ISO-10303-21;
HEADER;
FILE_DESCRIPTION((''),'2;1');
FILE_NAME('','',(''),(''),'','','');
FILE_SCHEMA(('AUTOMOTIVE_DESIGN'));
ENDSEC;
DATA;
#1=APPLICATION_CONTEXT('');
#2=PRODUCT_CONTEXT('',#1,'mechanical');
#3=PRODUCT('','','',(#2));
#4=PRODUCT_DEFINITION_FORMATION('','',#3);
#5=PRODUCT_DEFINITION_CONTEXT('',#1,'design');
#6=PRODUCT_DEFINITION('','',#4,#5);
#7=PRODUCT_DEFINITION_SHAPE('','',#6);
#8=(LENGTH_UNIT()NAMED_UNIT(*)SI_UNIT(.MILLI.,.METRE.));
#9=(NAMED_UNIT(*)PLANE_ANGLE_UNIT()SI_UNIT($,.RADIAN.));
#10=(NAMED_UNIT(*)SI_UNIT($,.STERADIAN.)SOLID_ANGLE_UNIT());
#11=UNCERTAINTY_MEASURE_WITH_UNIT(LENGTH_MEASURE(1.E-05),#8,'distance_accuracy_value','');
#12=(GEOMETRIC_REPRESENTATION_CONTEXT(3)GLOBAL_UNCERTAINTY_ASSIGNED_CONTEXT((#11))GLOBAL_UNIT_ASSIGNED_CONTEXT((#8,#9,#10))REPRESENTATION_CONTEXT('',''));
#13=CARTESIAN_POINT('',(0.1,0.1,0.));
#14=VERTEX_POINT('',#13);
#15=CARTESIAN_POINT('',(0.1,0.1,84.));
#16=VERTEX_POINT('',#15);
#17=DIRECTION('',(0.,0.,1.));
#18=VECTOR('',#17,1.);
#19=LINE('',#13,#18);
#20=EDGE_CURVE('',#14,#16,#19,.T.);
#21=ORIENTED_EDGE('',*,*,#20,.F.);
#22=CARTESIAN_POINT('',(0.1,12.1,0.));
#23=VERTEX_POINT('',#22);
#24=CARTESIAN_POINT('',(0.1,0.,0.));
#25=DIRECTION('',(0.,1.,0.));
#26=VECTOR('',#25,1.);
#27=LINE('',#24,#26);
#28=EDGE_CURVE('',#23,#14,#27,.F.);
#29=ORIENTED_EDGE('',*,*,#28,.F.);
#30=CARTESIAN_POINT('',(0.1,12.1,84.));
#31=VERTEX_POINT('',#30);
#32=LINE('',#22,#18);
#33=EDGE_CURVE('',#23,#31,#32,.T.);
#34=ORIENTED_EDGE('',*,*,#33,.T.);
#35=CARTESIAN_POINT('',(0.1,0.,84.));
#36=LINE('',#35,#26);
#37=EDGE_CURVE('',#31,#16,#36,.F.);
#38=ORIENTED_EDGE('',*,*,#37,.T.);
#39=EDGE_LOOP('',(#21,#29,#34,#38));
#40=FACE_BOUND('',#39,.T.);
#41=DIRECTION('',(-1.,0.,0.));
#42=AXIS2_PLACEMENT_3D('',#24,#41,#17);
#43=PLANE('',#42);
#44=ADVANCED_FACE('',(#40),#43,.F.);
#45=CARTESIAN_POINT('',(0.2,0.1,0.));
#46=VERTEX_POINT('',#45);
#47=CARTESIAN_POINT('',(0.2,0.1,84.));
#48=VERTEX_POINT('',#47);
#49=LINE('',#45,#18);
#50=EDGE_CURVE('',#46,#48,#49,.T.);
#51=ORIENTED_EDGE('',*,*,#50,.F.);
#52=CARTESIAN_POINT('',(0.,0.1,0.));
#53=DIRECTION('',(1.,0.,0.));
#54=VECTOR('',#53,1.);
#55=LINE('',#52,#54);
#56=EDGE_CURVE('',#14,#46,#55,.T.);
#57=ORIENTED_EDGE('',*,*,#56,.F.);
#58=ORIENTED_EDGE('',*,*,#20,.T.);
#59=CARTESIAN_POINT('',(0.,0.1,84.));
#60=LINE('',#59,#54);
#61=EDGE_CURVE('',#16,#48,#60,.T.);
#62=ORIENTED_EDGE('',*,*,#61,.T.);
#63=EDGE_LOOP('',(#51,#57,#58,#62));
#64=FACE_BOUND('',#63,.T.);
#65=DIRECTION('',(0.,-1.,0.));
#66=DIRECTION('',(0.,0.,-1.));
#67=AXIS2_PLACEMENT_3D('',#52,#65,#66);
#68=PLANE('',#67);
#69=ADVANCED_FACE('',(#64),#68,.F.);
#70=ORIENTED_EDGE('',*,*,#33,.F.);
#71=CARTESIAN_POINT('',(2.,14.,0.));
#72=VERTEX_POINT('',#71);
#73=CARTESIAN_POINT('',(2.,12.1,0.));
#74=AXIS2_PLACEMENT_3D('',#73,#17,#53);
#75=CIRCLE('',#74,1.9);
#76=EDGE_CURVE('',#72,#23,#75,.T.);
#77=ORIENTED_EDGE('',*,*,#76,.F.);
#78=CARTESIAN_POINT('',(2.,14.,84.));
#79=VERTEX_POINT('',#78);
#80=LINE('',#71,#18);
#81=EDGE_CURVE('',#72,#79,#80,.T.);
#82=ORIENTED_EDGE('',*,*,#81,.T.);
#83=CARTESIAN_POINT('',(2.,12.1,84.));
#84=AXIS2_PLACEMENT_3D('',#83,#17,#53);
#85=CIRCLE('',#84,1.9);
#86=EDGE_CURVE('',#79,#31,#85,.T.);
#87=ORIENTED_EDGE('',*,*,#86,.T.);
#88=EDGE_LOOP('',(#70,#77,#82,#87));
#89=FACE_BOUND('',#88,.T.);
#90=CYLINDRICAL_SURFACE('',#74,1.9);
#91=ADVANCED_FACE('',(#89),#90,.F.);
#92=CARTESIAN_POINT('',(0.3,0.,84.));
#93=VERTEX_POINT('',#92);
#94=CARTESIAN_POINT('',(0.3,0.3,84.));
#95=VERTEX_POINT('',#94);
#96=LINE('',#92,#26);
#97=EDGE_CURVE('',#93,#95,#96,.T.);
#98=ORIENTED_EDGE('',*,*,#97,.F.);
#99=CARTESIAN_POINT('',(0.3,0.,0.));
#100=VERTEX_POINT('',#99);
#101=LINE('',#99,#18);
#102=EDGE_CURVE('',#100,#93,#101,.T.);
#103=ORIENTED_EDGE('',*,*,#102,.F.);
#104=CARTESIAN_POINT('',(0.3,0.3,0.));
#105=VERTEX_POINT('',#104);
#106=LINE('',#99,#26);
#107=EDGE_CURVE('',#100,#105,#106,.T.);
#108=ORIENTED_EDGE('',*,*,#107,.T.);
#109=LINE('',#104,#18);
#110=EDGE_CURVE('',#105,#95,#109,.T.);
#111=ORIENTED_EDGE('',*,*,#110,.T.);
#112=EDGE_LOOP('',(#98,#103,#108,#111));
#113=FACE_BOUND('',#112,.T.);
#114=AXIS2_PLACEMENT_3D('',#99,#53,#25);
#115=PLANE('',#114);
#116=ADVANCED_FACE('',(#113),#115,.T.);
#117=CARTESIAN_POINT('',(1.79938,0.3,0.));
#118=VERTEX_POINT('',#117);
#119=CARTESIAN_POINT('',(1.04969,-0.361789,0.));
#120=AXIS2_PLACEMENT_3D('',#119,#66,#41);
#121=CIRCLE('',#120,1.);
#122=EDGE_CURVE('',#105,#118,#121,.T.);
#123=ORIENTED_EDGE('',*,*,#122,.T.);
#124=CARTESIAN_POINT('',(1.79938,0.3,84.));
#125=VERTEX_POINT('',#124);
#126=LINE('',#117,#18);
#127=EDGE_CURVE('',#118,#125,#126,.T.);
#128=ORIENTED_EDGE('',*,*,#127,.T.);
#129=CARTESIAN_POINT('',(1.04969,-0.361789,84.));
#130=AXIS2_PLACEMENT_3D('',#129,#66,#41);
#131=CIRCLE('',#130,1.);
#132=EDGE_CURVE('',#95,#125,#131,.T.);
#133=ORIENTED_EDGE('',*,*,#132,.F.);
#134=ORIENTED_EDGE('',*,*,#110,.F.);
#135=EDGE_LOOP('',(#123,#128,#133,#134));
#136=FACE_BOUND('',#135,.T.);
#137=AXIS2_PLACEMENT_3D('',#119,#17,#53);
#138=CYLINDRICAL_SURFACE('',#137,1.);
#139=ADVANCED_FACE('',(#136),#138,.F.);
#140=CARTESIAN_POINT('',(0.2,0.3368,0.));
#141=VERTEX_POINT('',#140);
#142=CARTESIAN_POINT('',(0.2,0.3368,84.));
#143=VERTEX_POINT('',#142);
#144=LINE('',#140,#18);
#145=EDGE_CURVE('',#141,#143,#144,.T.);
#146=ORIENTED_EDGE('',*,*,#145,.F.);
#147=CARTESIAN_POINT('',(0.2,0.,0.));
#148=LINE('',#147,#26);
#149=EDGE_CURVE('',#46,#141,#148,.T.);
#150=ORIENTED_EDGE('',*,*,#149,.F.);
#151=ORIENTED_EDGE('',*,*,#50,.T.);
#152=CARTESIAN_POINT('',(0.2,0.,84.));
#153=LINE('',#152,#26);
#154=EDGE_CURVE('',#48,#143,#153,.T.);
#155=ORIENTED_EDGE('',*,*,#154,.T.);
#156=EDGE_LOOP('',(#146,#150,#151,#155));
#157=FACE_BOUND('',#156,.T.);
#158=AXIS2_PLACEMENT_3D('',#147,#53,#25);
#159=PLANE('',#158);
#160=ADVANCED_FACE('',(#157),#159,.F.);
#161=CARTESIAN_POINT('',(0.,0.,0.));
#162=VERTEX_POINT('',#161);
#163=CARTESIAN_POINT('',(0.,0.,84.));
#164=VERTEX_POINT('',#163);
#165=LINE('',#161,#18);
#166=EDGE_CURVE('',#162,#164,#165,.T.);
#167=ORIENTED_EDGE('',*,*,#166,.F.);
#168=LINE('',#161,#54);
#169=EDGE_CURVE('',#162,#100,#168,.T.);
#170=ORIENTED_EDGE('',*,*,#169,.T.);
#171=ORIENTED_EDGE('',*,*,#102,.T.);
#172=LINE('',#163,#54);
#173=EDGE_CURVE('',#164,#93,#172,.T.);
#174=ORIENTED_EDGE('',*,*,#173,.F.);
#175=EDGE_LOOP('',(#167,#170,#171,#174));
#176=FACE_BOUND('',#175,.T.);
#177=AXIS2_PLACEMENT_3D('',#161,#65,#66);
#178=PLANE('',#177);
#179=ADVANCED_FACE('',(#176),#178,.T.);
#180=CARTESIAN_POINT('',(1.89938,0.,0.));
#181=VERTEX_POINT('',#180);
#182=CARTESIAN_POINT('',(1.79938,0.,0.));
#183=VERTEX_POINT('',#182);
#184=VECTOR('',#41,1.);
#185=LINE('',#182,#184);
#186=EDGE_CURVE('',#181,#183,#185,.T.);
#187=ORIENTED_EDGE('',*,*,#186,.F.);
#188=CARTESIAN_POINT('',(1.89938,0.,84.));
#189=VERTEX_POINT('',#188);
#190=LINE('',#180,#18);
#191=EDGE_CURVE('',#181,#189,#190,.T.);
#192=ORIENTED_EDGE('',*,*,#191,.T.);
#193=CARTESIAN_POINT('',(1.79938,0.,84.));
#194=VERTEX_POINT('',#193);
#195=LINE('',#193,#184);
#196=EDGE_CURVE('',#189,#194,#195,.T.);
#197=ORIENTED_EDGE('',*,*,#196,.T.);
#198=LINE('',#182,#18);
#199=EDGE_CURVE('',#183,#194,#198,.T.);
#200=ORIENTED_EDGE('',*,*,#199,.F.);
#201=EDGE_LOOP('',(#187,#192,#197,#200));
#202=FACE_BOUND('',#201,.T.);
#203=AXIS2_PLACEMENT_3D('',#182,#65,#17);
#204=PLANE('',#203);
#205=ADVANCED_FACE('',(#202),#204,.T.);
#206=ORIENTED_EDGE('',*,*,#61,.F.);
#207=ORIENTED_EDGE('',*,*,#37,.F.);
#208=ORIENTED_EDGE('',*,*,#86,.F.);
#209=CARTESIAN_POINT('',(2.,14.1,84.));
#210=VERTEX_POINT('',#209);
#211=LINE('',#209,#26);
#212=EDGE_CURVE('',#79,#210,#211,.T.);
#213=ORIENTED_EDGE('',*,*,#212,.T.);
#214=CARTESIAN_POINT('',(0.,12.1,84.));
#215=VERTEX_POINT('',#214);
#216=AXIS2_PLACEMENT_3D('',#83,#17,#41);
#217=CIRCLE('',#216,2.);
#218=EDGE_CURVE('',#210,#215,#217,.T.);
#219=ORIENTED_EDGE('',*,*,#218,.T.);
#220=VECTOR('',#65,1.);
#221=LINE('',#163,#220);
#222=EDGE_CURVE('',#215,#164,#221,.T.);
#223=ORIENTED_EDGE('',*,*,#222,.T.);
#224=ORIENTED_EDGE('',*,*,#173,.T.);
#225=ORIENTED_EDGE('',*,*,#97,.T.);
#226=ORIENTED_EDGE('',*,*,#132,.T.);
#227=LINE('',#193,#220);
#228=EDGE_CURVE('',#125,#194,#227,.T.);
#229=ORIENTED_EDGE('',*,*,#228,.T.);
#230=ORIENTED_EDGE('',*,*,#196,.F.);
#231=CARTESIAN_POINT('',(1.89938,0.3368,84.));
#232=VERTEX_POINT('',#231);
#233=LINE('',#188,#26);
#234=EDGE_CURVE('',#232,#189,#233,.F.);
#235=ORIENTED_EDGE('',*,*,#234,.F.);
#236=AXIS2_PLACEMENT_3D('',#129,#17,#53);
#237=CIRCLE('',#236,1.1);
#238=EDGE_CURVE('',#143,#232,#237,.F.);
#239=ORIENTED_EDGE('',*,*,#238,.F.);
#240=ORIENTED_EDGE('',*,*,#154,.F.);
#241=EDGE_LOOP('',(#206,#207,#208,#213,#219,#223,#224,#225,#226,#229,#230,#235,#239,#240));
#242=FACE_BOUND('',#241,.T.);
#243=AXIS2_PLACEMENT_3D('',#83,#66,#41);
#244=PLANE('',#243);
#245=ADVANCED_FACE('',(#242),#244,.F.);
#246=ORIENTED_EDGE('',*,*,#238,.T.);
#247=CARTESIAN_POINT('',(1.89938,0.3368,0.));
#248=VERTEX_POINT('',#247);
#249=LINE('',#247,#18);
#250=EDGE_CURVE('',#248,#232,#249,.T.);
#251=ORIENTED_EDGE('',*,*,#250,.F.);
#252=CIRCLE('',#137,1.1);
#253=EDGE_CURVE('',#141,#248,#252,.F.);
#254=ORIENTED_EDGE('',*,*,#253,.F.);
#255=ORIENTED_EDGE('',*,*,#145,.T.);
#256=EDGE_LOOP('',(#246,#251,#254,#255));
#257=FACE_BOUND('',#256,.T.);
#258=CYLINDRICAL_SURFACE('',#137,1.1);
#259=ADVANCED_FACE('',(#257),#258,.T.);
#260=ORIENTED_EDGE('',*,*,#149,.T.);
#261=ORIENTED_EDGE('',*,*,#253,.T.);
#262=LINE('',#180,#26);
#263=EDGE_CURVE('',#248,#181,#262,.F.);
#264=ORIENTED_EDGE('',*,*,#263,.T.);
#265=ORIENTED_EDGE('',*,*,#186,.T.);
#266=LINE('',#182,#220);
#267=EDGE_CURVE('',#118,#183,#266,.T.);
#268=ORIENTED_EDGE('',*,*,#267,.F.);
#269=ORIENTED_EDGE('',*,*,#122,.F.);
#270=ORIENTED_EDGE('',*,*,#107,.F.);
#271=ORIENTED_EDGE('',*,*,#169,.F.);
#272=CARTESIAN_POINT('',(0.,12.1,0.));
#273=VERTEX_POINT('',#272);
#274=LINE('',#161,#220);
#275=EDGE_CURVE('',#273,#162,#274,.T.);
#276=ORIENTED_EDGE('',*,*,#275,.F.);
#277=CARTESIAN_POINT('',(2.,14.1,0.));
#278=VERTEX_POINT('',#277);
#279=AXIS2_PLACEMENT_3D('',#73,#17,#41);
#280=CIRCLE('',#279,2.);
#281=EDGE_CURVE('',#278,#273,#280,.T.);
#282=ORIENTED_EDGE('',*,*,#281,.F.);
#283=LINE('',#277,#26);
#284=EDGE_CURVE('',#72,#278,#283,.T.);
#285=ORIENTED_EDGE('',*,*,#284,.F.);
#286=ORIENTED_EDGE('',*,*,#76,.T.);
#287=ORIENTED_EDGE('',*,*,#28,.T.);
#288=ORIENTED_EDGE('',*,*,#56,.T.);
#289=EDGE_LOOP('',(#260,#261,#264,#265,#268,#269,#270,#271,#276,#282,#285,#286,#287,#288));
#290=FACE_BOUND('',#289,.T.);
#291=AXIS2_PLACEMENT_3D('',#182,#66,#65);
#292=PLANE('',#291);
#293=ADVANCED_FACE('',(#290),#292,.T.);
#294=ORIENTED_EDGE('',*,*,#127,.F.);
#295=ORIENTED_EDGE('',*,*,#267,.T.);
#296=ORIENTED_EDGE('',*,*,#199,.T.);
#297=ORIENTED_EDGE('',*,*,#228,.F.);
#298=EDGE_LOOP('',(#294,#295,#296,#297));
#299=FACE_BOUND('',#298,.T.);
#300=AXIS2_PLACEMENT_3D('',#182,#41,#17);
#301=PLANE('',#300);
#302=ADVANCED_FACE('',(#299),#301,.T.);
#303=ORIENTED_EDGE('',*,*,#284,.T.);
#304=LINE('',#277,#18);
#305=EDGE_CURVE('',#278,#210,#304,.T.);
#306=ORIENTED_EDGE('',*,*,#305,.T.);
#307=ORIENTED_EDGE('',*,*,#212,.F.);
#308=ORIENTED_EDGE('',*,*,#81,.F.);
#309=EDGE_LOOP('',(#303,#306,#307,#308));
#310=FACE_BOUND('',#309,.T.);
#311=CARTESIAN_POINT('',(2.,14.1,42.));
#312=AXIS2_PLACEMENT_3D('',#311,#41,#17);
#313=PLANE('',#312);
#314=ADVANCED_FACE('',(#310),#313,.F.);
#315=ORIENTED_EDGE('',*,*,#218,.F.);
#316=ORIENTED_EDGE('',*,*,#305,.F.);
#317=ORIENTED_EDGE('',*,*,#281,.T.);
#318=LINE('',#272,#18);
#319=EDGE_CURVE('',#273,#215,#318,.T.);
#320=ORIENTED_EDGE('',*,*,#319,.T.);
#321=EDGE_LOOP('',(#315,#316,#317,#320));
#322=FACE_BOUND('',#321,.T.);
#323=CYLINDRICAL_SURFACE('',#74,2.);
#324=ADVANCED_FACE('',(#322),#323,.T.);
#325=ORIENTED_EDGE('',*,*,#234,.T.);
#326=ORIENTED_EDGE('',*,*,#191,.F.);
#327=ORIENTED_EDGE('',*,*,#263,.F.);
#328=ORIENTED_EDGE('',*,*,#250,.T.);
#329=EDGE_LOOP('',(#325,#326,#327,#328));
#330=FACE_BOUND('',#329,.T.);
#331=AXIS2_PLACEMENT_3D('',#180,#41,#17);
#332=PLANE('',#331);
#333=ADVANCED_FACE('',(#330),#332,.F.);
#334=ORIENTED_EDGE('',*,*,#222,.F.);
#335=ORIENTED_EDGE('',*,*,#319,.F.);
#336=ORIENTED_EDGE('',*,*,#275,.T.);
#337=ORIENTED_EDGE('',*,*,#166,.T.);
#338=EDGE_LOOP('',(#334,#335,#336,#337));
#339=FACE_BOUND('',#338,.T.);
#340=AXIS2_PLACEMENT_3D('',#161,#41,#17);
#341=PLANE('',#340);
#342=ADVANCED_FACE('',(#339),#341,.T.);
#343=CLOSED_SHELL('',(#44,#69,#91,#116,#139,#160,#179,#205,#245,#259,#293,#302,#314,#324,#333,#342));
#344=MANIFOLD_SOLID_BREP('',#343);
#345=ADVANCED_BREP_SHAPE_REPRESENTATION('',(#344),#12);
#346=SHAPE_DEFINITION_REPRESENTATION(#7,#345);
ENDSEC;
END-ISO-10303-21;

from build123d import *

# Parameters (mm, degrees)
SHEET_EXTRUDE_1_1_DEPTH = 84
THICKEN_1_T2            = 0.1


with BuildPart() as body_1:
    # Sheet Extrude 1: a surface, the sketch's curves swept straight by 84 mm
    with BuildLine(Plane.XY, mode=Mode.PRIVATE) as sheet_extrude_1_1_path:
        Line((1.799379952, 0), (1.799379952, 0.3))
        ThreePointArc((1.799379952, 0.3), (1.049689976, 0.638210804), (0.3, 0.3))
        Line((0.3, 0.3), (0.3, 0))
        Line((0.3, 0), (0, 0))
        Line((0, 0), (0, 12.1))
        ThreePointArc((0, 12.1), (0.585786438, 13.514213562), (2, 14.1))
    sheet_extrude_1_1 = Shell.extrude(sheet_extrude_1_1_path.wire(), (0 * SHEET_EXTRUDE_1_1_DEPTH, 0 * SHEET_EXTRUDE_1_1_DEPTH, 1 * SHEET_EXTRUDE_1_1_DEPTH))
    add(Solid.thicken(sheet_extrude_1_1, -THICKEN_1_T2))


solid = body_1.part
